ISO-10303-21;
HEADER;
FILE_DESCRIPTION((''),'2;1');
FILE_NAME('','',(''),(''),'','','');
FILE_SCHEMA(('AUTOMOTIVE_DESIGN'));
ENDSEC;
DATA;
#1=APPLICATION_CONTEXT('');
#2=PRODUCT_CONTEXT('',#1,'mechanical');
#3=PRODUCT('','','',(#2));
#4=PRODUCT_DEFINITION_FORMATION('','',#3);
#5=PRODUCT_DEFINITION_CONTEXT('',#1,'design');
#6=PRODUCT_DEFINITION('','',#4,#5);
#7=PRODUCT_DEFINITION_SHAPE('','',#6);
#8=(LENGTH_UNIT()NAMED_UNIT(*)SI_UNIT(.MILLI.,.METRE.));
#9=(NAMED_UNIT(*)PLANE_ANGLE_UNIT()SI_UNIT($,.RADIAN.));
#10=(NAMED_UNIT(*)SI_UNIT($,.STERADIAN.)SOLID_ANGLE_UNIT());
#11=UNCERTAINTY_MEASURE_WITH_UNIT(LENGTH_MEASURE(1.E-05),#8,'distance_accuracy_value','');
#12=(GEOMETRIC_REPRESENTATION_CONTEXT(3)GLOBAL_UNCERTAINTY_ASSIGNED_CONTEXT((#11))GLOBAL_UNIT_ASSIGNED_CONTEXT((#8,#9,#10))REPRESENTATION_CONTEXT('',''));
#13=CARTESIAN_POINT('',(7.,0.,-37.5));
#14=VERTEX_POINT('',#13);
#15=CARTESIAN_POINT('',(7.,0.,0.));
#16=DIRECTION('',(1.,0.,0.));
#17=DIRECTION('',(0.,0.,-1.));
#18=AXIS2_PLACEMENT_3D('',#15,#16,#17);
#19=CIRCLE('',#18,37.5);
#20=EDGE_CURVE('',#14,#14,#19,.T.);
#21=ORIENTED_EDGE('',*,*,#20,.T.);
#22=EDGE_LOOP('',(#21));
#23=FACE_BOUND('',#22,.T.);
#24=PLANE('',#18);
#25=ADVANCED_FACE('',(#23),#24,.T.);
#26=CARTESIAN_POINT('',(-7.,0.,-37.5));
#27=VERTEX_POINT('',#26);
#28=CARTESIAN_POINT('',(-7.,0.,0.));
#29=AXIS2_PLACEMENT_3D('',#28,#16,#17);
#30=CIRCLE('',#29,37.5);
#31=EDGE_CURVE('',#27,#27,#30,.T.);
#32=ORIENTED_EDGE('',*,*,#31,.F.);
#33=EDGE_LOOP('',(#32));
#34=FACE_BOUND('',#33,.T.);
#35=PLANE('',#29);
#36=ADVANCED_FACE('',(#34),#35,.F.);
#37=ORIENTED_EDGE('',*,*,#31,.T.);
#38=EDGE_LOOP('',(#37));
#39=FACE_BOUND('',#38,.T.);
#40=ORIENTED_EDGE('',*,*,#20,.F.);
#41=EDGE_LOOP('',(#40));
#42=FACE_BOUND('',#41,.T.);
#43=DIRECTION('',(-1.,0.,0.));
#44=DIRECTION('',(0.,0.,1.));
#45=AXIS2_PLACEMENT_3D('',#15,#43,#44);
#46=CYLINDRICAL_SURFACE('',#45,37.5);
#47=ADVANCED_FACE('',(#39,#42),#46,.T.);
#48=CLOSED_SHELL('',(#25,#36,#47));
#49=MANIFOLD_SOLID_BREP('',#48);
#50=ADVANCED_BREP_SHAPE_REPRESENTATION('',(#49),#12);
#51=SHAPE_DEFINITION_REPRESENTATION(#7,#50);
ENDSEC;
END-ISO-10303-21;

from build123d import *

# Parameters (mm, degrees)
SKETCH1_R           = 37.5
BOSS_EXTRUDE1_DEPTH = 7


with BuildPart() as part:
    # Sketch1 → Boss-Extrude1 (new body, symmetric)
    with BuildSketch(Plane(origin=(0, 0, 0), x_dir=(0, 0, -1), z_dir=(1, 0, 0))):
        Circle(SKETCH1_R)
    extrude(amount=BOSS_EXTRUDE1_DEPTH, both=True)


solid = part.part
